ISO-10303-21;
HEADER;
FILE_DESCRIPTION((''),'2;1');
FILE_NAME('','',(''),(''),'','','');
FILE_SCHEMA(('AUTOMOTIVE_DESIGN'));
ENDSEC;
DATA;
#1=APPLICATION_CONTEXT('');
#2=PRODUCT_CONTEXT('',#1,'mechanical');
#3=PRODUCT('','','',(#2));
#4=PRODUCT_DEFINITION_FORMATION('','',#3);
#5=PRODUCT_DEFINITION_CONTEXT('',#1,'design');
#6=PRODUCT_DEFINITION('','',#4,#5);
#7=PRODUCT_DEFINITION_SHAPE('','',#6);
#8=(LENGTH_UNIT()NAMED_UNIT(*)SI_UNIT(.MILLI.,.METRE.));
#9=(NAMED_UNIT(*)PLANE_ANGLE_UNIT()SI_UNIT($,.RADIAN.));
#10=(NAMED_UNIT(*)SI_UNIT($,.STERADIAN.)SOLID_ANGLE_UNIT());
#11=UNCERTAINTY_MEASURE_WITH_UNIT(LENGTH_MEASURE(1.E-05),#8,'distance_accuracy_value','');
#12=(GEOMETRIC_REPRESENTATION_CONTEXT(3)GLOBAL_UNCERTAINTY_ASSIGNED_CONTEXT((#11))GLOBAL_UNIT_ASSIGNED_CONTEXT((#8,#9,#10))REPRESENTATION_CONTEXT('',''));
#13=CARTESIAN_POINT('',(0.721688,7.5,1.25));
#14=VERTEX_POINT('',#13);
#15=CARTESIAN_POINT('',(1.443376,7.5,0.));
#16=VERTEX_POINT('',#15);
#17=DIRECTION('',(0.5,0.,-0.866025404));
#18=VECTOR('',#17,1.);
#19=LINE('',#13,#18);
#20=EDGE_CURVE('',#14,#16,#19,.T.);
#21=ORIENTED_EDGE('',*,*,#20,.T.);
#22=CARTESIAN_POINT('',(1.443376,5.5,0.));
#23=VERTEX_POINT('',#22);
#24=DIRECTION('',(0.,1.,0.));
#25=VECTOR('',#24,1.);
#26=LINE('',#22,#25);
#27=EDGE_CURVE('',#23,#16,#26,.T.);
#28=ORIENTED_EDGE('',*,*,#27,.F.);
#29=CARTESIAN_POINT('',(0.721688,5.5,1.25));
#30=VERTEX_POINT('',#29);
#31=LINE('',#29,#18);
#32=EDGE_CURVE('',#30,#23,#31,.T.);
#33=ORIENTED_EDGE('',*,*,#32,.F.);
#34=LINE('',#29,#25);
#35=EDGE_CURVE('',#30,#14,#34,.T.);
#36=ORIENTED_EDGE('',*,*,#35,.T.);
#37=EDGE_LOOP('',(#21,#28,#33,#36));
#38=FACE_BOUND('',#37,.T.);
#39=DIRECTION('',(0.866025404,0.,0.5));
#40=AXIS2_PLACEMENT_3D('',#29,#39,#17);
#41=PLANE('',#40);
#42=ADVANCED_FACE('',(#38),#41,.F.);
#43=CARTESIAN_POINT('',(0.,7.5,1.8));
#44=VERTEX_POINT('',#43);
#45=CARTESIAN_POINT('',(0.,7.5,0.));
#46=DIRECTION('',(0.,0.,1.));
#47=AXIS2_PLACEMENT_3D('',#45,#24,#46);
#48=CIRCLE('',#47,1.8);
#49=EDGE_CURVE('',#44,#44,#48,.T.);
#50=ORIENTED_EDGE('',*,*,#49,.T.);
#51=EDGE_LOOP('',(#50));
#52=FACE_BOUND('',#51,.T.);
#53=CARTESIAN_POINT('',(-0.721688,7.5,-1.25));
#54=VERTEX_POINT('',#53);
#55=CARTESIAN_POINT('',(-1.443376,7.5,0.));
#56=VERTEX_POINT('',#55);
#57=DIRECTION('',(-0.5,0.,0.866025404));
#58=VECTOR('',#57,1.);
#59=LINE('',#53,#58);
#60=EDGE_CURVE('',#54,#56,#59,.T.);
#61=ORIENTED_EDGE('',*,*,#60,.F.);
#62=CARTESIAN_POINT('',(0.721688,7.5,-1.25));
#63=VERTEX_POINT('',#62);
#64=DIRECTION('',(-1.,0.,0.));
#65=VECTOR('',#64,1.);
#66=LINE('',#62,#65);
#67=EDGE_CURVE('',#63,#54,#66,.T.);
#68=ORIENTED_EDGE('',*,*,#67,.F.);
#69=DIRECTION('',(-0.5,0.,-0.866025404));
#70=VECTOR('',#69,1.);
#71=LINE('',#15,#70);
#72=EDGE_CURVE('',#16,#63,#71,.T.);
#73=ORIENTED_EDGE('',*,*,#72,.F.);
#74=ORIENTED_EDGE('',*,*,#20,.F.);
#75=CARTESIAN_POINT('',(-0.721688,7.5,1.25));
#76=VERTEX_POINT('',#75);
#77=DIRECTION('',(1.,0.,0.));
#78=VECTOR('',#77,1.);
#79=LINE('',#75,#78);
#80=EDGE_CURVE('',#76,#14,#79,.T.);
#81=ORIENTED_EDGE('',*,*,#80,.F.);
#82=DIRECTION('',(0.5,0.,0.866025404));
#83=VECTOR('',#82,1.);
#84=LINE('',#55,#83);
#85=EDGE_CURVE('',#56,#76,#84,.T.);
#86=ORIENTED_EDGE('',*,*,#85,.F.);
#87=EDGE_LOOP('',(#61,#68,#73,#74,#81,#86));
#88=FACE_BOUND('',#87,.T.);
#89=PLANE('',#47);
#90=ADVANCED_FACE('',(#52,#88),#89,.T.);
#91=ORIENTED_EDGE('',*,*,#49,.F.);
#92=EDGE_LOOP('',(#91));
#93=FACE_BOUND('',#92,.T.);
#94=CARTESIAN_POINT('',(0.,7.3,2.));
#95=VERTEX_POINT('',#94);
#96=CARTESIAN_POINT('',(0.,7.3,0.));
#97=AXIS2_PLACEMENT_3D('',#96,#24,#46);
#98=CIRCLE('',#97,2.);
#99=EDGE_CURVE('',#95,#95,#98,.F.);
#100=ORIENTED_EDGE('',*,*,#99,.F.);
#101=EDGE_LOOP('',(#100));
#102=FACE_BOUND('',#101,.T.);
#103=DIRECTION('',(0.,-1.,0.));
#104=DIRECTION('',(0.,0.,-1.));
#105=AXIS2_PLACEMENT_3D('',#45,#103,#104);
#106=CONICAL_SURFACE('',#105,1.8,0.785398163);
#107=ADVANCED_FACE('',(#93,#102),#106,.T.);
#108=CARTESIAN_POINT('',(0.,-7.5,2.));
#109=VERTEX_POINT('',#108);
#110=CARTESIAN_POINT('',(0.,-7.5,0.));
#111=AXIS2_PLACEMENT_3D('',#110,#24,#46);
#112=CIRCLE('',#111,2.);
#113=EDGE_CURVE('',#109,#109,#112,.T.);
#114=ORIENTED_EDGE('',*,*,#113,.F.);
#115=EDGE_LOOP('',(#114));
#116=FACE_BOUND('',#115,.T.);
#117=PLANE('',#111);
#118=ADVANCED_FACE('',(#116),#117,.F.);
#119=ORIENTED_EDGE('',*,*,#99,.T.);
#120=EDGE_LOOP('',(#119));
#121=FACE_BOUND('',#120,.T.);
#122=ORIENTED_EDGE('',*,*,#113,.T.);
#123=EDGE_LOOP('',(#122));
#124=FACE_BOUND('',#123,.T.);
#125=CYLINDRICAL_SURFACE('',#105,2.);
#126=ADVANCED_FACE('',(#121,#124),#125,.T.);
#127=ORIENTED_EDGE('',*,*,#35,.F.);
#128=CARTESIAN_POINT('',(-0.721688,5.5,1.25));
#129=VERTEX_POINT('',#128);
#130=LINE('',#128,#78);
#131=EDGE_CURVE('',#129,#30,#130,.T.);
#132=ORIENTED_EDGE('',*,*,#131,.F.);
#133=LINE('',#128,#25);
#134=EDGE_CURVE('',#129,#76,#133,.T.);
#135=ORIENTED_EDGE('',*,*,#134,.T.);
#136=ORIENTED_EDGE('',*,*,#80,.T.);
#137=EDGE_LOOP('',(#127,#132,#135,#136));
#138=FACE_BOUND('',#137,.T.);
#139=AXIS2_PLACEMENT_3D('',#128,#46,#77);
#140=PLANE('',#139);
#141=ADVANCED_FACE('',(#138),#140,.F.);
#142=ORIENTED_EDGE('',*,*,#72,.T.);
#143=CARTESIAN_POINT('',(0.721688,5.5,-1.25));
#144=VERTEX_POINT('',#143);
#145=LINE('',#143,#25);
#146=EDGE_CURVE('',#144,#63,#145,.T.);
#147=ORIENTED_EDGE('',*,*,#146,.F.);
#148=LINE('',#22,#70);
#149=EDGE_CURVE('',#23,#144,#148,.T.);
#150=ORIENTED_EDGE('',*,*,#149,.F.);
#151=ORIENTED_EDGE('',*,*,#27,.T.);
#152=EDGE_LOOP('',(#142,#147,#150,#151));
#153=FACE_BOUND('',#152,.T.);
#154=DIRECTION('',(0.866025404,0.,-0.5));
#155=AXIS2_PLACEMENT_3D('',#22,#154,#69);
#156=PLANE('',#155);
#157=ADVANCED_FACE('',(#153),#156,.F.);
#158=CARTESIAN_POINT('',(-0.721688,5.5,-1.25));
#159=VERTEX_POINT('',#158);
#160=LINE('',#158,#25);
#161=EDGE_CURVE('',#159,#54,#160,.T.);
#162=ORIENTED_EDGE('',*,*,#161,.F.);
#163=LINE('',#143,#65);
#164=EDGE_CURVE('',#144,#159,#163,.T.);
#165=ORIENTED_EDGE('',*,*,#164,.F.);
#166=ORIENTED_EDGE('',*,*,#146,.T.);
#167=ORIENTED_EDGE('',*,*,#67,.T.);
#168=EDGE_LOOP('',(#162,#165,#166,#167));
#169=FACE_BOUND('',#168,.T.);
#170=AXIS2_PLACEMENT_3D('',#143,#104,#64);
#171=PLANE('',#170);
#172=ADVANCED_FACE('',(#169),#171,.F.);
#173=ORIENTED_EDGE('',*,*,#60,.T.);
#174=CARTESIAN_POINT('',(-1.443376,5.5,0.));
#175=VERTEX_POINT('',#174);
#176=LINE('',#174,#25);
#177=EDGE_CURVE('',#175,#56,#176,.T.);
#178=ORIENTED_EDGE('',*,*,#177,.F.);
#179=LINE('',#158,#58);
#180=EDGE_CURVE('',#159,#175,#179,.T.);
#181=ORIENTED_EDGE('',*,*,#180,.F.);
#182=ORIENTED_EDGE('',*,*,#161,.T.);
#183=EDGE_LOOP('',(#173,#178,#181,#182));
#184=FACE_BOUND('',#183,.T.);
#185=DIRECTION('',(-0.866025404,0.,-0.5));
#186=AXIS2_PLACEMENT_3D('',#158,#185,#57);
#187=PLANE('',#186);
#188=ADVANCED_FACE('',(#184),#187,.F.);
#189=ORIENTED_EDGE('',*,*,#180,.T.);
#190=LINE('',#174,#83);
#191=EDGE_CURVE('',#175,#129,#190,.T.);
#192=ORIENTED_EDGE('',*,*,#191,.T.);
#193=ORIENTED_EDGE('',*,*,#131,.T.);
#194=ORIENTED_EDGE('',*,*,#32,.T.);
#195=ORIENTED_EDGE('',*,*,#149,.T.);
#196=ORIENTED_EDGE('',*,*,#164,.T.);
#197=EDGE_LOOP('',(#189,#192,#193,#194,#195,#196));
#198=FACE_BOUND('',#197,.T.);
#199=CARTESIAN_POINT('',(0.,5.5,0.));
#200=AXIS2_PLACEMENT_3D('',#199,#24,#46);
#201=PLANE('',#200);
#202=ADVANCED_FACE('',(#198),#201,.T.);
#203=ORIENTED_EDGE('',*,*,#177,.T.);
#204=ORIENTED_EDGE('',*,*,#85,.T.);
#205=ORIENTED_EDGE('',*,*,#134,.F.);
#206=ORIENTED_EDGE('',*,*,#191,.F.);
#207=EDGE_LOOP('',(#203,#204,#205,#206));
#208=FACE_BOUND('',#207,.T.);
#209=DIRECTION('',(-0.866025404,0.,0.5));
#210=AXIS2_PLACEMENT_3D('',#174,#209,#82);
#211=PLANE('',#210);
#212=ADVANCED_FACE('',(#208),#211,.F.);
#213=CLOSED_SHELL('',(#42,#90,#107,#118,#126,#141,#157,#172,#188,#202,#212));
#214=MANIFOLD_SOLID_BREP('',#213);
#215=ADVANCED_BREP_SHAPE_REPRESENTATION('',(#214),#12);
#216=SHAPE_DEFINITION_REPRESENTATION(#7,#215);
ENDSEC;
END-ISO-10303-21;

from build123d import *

# Parameters (mm, degrees)
SKETCH1_R           = 2
BOSS_EXTRUDE1_DEPTH = 7.5
CUT_EXTRUDE1_DEPTH  = 2
CHAMFER1_SIZE       = 0.2


with BuildPart() as part:
    # Sketch1 → Boss-Extrude1 (new, symmetric)
    with BuildSketch(Plane(origin=(0, 0, 0), x_dir=(1, 0, 0), z_dir=(0, 1, 0))):
        with Locations(Location((0, 0, 0), (0, 0, 270))):
            Circle(SKETCH1_R)
    extrude(amount=BOSS_EXTRUDE1_DEPTH, both=True)

    # Sketch2 → Cut-Extrude1 (cut)
    with BuildSketch(Plane(origin=(0, 7.5, 0), x_dir=(1, 0, 0), z_dir=(0, 1, 0))):
        Polygon((0.721687836, 1.25), (-0.721687836, 1.25), (-1.443375673, 0), (-0.721687836, -1.25), (0.721687836, -1.25), (1.443375673, 0), align=None)
    extrude(amount=-CUT_EXTRUDE1_DEPTH, mode=Mode.SUBTRACT)

    # Chamfer1
    chamfer1_edges = [part.edges().sort_by_distance(p)[0] for p in [
        (0, 7.5, -2),
    ]]
    chamfer(chamfer1_edges, length=CHAMFER1_SIZE)


solid = part.part
